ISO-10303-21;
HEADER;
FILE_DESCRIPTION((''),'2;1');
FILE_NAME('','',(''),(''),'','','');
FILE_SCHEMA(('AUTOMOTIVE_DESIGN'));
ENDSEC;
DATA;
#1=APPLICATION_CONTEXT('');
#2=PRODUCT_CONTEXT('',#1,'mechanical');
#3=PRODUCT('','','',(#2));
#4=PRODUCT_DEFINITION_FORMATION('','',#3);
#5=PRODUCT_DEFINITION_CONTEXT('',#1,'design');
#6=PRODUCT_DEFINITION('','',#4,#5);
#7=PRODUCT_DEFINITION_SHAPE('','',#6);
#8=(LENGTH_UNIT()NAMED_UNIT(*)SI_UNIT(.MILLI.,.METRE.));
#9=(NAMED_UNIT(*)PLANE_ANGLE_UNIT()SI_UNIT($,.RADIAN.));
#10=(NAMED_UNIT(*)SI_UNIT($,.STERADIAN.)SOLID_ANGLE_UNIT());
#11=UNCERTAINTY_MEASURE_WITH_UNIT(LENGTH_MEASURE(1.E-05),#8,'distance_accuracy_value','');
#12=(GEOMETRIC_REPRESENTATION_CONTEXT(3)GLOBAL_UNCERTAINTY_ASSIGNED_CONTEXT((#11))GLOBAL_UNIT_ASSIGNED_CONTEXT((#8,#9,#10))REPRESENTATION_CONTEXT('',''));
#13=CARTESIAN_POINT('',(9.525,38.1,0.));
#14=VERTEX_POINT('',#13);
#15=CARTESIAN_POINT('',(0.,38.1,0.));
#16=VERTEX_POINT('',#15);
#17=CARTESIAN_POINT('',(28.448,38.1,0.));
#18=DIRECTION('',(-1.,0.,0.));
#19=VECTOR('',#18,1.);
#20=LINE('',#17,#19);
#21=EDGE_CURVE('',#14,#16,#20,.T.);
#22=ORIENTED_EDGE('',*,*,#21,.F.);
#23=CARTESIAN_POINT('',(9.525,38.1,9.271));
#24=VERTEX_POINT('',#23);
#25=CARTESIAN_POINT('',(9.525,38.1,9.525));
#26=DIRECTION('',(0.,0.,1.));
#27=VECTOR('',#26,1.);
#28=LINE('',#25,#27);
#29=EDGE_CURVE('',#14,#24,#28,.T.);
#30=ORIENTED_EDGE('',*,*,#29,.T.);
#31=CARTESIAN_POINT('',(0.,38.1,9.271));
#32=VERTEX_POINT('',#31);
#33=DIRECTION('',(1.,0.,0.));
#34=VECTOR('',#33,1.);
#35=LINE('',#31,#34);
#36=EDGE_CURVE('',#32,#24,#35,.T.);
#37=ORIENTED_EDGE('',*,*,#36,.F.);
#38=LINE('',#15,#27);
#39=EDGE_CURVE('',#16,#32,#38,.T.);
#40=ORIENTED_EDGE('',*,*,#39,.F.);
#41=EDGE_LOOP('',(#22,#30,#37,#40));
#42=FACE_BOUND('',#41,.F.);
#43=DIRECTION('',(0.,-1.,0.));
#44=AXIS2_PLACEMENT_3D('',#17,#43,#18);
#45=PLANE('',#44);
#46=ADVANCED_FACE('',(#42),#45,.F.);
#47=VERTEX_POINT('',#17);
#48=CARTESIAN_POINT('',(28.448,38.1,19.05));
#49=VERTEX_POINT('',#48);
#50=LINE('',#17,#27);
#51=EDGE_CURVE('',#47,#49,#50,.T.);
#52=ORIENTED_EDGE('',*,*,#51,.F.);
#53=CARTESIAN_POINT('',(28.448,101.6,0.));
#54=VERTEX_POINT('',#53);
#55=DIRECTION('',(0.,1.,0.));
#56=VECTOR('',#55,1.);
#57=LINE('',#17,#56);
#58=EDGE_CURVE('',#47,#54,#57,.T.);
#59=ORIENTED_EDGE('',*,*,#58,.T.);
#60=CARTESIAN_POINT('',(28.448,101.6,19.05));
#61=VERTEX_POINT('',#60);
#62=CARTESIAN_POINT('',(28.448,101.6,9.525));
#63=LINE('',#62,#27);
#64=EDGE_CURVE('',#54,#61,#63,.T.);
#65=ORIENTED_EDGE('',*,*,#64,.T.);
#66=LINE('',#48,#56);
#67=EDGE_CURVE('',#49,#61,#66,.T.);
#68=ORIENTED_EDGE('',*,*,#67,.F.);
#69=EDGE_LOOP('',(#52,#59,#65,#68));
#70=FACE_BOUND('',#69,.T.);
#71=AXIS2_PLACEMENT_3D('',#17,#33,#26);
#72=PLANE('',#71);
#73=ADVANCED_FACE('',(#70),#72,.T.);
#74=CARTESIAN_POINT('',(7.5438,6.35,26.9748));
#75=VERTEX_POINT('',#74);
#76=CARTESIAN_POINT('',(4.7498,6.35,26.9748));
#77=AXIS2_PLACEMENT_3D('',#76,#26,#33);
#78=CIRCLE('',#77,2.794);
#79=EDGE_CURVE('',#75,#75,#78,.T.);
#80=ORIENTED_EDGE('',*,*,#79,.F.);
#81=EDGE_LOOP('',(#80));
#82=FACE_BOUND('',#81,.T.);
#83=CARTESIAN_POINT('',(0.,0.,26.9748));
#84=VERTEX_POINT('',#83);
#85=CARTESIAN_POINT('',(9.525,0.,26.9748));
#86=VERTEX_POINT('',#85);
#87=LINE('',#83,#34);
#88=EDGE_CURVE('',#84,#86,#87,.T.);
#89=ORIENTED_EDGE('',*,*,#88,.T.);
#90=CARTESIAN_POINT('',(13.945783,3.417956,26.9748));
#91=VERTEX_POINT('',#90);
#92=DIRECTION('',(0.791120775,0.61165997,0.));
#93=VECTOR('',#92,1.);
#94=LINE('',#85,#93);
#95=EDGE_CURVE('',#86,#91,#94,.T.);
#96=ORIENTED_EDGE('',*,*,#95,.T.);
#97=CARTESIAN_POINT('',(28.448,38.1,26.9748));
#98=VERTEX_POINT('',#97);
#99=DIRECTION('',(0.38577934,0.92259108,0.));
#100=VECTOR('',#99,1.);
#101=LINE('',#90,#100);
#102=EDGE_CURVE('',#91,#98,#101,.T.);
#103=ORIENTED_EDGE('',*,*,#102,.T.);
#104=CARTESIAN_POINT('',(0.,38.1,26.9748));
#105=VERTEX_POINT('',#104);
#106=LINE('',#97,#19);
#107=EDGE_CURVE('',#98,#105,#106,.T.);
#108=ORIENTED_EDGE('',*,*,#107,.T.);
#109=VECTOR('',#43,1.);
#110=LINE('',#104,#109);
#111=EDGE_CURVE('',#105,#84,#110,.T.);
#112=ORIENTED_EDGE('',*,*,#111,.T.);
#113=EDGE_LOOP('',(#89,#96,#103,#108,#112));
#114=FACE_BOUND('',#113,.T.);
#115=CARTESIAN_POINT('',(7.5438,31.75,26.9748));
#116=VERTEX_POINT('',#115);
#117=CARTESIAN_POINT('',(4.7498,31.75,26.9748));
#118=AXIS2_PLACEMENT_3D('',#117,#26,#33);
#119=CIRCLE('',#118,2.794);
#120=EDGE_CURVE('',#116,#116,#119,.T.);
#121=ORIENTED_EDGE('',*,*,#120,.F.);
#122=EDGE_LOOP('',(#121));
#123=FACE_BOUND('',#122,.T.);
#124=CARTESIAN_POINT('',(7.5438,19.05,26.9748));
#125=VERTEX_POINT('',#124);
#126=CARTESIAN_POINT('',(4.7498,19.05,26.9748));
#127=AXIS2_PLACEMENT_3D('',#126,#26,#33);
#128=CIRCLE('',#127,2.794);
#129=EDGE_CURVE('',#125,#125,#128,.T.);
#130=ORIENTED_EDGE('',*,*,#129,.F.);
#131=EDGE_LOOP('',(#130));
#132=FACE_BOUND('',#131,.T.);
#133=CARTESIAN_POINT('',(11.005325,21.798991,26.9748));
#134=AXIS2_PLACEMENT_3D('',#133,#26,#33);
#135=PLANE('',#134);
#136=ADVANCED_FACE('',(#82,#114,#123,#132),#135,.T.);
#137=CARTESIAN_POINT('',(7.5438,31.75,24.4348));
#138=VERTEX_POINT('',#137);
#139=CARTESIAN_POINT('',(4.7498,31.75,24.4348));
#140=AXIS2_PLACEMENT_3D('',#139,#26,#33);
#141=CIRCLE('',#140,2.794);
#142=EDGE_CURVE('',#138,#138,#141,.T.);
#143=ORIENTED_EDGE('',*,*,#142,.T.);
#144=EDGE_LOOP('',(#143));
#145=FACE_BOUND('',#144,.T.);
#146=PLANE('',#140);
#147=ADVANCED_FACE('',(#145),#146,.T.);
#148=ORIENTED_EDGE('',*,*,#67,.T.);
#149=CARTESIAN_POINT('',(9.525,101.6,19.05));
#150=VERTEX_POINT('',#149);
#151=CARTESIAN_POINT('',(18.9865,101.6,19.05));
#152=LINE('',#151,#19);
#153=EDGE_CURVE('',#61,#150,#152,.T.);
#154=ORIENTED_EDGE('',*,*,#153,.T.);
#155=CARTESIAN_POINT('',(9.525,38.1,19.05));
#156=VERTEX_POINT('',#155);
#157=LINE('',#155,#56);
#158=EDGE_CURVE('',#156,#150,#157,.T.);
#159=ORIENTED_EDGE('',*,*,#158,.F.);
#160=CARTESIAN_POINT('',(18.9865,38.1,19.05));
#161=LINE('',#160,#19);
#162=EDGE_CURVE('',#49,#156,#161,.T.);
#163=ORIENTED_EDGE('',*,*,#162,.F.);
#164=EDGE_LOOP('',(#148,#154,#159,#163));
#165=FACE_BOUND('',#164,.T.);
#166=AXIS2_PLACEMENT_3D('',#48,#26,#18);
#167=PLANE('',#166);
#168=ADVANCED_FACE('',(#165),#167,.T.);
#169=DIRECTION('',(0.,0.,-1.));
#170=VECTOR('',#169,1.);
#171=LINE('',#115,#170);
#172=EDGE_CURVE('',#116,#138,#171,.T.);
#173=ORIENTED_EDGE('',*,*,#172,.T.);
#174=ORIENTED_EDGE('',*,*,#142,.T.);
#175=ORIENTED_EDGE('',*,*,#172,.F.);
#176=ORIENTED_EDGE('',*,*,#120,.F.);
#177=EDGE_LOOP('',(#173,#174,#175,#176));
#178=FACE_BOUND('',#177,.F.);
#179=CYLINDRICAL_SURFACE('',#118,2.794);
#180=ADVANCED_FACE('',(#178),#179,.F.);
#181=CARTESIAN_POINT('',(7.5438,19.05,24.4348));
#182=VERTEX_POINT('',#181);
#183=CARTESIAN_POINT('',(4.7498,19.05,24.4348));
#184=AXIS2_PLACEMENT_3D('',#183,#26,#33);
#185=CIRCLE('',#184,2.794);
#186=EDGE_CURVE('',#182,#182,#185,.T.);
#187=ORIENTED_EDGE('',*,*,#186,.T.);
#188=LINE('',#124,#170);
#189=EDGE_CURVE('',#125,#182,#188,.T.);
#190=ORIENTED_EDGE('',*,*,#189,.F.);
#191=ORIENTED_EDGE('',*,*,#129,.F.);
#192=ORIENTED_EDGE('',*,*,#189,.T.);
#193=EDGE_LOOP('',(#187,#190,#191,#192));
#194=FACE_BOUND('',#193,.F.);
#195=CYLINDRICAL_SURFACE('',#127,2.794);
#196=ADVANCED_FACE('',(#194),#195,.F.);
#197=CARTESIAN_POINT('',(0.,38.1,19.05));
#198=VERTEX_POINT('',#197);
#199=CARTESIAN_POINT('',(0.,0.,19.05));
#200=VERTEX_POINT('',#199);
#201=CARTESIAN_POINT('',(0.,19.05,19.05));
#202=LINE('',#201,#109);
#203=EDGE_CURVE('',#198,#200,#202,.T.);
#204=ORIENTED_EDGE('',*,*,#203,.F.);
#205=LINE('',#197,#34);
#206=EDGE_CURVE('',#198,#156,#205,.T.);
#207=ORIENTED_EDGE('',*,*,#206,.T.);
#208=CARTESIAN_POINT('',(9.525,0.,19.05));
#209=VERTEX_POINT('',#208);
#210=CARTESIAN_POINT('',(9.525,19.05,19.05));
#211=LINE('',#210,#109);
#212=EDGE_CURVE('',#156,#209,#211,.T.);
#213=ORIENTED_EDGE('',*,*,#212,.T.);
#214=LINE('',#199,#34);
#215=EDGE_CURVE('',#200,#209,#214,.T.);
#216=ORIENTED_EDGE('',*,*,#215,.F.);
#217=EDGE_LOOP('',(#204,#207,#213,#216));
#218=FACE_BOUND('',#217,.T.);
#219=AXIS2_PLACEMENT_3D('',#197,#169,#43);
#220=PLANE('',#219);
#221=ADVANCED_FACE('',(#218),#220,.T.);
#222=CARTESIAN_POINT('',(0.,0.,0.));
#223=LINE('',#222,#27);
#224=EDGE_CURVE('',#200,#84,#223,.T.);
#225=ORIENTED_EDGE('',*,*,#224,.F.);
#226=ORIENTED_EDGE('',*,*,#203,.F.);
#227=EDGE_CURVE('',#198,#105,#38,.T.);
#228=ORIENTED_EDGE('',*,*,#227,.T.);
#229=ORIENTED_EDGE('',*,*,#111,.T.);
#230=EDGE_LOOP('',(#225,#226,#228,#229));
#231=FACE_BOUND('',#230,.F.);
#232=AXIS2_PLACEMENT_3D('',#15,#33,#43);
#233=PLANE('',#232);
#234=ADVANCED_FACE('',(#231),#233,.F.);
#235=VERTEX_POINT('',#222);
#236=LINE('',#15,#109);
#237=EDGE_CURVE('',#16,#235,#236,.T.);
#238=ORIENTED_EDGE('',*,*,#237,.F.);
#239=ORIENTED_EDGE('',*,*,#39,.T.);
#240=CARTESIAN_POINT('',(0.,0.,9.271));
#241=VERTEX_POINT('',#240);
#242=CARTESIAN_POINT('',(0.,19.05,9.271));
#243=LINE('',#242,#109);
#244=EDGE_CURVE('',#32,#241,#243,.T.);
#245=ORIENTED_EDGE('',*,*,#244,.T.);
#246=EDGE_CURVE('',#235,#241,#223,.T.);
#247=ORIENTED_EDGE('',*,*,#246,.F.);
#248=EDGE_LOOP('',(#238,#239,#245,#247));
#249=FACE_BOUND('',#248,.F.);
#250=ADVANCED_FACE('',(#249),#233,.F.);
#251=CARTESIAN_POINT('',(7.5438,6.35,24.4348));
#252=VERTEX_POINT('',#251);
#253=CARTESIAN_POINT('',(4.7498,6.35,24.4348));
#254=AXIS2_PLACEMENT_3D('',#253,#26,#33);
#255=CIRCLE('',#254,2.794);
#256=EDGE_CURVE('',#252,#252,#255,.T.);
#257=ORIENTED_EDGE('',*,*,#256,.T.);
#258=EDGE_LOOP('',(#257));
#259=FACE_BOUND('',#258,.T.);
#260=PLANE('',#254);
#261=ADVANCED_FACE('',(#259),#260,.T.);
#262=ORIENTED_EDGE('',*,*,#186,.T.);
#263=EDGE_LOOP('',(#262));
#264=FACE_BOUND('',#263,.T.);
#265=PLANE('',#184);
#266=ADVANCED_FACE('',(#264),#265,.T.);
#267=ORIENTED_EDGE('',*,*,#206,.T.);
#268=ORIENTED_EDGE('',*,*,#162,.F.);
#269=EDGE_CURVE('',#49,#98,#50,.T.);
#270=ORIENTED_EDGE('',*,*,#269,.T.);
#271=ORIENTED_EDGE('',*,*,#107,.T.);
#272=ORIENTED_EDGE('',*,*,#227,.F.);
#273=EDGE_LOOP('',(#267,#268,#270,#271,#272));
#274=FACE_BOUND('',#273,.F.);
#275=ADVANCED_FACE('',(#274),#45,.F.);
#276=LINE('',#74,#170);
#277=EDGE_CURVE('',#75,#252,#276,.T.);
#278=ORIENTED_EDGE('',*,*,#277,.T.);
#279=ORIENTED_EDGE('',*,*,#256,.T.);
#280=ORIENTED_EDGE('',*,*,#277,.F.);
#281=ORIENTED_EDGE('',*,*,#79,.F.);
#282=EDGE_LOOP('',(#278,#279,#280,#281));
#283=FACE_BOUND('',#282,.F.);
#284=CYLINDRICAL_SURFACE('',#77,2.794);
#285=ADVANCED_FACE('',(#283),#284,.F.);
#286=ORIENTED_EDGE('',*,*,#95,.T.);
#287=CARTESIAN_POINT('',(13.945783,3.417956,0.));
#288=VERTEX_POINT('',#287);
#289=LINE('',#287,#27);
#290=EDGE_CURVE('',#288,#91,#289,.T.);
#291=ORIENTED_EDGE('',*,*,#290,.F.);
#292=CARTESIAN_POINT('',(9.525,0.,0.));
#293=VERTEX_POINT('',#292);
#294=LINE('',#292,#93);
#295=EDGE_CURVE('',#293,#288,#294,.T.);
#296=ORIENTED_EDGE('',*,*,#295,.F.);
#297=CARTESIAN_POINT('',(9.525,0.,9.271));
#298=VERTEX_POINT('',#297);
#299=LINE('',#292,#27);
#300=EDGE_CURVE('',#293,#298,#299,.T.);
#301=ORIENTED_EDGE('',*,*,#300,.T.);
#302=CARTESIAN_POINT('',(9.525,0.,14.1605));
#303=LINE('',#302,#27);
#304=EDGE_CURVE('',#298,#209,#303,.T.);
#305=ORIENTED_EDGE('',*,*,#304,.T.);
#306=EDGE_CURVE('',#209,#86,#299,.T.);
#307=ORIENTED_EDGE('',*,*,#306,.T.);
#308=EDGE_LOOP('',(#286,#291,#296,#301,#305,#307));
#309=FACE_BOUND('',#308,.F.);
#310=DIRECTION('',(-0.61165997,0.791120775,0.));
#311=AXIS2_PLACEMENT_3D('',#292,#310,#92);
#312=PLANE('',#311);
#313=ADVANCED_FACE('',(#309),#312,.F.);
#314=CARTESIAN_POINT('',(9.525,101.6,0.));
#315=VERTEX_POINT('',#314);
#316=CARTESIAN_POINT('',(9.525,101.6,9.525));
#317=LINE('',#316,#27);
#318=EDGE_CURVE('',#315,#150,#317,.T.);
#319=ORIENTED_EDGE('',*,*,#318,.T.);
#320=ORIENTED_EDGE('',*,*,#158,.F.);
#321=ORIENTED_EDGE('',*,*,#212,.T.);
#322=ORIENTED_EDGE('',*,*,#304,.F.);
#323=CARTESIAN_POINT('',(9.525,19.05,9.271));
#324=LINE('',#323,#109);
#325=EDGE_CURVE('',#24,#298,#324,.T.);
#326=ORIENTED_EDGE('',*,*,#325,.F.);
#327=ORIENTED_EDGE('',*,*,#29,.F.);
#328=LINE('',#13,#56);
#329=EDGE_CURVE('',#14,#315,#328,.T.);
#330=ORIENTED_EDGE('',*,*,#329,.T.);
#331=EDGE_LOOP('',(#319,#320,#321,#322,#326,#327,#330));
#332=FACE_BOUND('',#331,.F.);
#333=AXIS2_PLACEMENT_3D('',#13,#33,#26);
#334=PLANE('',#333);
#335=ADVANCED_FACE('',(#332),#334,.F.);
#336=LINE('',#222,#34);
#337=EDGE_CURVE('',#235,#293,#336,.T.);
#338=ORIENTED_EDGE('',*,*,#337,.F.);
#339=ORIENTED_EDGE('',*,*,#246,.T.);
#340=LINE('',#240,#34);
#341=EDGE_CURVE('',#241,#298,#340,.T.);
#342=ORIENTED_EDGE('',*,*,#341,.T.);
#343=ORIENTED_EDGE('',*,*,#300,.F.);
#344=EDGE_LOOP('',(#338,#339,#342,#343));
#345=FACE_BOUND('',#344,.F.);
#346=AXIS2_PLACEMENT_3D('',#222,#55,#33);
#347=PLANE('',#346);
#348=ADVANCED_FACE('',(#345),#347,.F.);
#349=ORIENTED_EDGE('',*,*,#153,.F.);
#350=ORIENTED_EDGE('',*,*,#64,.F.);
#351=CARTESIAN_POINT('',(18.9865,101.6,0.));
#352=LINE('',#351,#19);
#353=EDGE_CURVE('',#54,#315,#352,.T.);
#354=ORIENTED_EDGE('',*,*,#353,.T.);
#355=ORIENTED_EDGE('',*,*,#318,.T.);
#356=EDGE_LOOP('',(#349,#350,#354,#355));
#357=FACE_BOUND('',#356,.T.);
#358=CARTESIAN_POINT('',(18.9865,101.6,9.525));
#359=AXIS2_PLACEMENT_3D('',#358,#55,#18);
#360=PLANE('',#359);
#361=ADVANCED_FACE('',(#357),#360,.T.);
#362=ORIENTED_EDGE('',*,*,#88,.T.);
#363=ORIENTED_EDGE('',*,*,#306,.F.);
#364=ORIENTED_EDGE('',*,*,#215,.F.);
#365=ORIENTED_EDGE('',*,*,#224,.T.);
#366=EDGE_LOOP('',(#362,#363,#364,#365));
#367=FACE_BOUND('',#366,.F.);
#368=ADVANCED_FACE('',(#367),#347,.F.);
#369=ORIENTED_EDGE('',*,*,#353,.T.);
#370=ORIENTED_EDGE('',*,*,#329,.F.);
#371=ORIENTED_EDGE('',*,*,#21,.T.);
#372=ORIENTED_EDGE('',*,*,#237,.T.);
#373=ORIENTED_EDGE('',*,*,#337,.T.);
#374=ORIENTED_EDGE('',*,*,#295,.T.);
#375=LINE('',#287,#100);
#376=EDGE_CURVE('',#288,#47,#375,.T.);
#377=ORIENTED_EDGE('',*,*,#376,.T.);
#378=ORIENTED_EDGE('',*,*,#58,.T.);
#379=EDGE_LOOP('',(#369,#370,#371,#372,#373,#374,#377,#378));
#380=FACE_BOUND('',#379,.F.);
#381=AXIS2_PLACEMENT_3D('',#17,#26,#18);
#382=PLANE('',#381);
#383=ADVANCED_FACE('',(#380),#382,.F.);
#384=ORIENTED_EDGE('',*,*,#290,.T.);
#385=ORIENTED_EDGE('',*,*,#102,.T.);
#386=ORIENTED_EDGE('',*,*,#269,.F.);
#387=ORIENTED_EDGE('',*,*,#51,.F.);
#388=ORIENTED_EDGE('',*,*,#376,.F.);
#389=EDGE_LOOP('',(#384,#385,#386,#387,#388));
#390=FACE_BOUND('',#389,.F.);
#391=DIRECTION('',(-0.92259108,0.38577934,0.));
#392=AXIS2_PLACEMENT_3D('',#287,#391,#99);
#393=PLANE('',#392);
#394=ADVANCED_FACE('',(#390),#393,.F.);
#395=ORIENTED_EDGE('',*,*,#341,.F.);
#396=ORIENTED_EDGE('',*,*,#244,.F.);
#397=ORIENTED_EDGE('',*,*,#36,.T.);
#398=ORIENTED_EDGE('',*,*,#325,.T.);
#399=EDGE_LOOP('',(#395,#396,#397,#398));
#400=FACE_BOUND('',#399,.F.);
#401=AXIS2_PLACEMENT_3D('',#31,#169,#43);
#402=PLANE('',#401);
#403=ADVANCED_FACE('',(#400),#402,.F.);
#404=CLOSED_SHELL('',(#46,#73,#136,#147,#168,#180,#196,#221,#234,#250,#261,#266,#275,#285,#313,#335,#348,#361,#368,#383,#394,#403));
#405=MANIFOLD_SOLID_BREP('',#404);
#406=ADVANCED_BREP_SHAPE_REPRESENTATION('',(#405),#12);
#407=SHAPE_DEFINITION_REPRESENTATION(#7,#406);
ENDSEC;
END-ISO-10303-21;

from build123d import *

# Parameters (mm, degrees)
F1_DEPTH = 26.9748
F2_W     = 38.1
F2_H     = 9.779
F3_DEPTH = 9.525
F4_W     = 18.923
F4_H     = 19.05
F5_DEPTH = 63.5
F6_R     = 2.794
F7_DEPTH = 2.54


with BuildPart() as f1:
    # F0 (on Top) → F1 (new body)
    with BuildSketch(Plane.XY):
        Polygon((0, 38.1), (0, 0), (9.525, 0), (13.945783, 3.417956), (28.448, 38.1), align=None)
    extrude(amount=F1_DEPTH)

    # F2 (on face) → F3 (cut)
    with BuildSketch(Plane(origin=(0, 0, 0), x_dir=(0, -1, 0), z_dir=(-1, 0, 0))):
        with Locations((-19.05, 14.1605)):
            Rectangle(F2_W, F2_H)
    extrude(amount=-F3_DEPTH, mode=Mode.SUBTRACT)

    # F4 (on face) → F5 (join)
    with BuildSketch(Plane(origin=(0, 38.1, 0), x_dir=(-1, 0, 0), z_dir=(0, 1, 0))):
        with Locations((-18.9865, 9.525)):
            Rectangle(F4_W, F4_H)
    extrude(amount=F5_DEPTH)

    # F6 (on face) → F7 (cut)
    with BuildSketch(Plane.XY.offset(26.9748)):
        with Locations((4.7498, 31.75)):
            Circle(F6_R)
        with Locations((4.7498, 19.05)):
            Circle(F6_R)
        with Locations((4.7498, 6.35)):
            Circle(F6_R)
    extrude(amount=-F7_DEPTH, mode=Mode.SUBTRACT)


solid = f1.part
